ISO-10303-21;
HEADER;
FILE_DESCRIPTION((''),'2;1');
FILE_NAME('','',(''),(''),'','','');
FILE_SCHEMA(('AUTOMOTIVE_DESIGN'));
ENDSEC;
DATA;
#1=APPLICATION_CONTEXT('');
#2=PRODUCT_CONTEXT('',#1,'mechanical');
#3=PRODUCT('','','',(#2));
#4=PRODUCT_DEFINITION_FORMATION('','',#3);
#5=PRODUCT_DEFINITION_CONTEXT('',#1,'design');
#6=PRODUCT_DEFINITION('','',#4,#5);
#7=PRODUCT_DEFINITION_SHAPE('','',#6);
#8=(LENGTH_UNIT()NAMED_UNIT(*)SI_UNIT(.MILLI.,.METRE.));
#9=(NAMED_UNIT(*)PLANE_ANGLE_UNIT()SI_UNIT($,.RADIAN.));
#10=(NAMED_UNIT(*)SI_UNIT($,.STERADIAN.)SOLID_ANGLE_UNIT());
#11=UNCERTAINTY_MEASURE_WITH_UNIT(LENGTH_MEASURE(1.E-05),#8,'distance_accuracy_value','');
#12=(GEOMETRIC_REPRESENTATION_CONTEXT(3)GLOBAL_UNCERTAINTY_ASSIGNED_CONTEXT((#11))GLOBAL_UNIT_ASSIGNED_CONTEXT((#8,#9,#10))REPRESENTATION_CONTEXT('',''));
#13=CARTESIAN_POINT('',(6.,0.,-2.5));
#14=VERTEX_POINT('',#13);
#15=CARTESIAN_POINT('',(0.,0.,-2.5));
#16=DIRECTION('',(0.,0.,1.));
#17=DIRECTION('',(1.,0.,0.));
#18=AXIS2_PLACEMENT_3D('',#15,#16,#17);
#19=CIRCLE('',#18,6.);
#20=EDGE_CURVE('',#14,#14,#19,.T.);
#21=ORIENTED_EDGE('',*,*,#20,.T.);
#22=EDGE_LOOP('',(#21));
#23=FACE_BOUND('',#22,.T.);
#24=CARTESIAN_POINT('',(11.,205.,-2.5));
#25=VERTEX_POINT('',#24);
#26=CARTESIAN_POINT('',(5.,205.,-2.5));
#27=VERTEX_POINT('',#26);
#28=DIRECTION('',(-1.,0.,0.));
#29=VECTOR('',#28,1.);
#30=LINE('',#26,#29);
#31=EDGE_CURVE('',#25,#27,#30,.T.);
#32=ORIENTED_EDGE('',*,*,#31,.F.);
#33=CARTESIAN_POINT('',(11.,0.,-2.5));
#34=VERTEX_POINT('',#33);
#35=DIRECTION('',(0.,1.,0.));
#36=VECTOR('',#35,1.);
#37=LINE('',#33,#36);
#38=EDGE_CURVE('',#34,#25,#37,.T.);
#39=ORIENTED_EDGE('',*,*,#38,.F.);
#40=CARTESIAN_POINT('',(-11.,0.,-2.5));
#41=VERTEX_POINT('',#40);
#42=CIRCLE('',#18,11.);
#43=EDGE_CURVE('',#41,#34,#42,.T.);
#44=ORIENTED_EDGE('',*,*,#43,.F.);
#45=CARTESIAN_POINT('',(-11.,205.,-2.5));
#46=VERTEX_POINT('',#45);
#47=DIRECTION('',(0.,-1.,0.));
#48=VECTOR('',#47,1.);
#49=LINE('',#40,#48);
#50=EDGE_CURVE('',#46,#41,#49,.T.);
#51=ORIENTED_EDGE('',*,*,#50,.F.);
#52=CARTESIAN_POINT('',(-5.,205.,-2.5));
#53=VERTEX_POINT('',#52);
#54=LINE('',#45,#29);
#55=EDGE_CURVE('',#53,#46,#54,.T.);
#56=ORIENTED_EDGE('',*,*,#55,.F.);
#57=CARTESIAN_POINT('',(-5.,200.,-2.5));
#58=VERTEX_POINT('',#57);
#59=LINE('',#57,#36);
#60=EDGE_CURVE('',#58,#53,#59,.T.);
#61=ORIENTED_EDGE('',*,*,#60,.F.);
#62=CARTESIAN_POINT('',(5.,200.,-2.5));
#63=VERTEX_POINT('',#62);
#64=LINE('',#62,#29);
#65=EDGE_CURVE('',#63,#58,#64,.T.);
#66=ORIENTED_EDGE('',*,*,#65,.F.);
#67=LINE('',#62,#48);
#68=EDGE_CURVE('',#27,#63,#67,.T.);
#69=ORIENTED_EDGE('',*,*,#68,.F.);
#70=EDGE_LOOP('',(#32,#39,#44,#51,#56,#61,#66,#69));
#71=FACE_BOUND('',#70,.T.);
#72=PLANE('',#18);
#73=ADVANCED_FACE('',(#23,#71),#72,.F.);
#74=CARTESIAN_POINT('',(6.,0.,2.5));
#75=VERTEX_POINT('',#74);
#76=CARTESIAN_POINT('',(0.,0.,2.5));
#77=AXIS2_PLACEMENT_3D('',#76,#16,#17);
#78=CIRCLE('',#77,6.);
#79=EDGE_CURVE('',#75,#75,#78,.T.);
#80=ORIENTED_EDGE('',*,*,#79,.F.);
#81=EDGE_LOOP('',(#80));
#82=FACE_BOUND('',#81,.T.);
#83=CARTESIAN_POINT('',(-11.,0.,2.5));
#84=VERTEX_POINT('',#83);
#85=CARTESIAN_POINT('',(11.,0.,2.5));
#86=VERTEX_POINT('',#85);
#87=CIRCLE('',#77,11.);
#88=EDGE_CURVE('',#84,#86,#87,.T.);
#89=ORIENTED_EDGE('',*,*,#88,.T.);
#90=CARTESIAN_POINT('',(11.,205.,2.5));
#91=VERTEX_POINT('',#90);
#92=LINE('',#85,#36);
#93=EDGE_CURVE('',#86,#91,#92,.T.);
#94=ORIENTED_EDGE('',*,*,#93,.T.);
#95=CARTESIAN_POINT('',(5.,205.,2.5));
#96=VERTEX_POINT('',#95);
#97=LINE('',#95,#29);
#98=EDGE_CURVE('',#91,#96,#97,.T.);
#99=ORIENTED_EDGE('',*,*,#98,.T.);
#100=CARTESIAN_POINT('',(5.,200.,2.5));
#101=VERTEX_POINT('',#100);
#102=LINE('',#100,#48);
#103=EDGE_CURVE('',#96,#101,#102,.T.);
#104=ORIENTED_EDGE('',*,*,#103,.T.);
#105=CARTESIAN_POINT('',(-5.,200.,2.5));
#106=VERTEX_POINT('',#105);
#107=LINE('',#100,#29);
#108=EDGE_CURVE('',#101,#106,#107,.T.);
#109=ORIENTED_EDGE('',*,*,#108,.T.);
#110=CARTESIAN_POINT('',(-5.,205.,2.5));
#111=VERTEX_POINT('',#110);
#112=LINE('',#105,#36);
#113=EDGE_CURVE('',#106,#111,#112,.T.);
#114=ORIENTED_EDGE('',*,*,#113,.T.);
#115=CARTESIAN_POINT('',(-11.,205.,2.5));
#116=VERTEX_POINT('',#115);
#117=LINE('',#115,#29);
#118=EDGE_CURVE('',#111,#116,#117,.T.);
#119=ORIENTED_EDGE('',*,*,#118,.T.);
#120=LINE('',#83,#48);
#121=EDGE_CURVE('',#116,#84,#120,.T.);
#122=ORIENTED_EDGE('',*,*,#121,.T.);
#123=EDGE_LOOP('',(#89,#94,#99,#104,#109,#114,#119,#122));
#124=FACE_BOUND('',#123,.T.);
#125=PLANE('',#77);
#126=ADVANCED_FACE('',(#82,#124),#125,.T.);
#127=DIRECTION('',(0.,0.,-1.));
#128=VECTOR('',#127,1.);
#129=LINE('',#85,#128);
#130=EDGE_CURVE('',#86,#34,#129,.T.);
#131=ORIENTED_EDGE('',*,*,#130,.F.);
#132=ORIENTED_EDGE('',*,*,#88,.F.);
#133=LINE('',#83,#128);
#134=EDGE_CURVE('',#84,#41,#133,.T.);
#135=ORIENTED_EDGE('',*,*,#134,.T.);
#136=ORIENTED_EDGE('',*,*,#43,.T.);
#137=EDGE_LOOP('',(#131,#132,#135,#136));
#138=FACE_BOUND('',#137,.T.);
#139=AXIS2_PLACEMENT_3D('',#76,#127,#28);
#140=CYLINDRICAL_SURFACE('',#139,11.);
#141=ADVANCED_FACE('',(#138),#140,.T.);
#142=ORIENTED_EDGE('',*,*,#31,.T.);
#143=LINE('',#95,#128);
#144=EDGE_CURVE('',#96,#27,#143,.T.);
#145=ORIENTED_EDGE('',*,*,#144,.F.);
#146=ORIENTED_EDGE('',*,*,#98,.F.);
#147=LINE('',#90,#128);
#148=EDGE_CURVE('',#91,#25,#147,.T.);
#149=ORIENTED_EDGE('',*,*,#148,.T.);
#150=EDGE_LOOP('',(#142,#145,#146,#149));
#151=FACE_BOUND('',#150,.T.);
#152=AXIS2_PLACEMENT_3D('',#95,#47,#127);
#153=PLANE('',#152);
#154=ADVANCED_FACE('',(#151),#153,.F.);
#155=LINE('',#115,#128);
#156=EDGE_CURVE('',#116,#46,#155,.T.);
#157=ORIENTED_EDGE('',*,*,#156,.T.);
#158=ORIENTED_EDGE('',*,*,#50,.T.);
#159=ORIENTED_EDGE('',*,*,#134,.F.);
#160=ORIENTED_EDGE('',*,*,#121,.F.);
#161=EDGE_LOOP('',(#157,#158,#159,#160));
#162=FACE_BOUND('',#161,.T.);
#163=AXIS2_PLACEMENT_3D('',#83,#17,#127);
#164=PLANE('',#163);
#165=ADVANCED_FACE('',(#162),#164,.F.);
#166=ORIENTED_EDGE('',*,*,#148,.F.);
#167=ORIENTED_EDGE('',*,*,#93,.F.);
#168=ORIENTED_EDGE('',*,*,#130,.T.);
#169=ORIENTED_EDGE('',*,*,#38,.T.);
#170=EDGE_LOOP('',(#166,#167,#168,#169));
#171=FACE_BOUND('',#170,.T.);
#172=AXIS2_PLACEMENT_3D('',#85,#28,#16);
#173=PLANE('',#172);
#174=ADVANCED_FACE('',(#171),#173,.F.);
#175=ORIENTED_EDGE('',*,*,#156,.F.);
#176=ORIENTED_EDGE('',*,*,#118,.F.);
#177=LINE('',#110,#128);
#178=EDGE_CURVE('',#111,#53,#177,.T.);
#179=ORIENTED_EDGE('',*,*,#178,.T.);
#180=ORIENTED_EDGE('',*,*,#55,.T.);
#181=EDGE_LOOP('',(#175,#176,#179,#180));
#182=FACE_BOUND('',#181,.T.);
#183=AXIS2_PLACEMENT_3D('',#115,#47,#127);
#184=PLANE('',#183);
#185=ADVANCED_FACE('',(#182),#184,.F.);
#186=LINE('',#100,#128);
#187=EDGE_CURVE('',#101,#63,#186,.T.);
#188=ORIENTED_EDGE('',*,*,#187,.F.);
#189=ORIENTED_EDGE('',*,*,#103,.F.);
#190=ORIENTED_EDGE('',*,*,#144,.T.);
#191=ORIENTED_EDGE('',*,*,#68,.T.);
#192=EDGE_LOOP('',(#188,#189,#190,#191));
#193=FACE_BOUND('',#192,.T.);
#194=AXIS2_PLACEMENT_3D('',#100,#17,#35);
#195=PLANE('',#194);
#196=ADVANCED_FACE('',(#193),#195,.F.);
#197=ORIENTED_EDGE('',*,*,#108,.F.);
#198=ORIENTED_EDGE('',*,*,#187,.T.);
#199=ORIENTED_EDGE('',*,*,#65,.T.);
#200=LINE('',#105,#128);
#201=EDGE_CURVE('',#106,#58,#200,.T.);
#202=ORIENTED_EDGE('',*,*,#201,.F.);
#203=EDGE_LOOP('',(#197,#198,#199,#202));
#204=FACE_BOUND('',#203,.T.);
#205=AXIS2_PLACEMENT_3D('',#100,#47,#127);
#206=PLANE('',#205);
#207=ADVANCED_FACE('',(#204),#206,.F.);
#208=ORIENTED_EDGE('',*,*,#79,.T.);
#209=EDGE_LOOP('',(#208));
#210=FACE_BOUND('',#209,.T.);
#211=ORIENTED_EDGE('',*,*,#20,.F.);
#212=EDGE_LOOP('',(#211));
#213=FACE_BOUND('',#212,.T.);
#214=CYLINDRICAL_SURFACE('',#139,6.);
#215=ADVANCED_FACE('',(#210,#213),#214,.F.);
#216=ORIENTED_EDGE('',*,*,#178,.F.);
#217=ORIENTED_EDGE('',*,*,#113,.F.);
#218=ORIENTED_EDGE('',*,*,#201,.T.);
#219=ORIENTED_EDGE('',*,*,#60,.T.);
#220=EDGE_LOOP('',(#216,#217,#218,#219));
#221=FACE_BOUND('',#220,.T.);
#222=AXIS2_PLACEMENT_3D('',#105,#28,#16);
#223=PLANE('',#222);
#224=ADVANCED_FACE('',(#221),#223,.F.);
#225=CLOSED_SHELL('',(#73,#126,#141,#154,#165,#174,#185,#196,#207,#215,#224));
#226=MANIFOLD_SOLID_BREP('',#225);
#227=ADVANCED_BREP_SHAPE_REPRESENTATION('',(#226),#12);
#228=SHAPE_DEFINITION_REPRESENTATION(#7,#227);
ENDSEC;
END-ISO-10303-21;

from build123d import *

# Parameters (mm, degrees)
SKETCH1_R           = 6
BOSS_EXTRUDE1_DEPTH = 2.5


with BuildPart() as part:
    # Sketch1 → Boss-Extrude1 (new, symmetric)
    with BuildSketch(Plane(origin=(0, 0, 0), x_dir=(0, 1, 0), z_dir=(0, 0, 1))):
        with BuildLine():
            Line((0, 11), (205, 11))
            Line((205, 11), (205, 5))
            Line((205, 5), (200, 5))
            Line((200, 5), (200, -5))
            Line((200, -5), (205, -5))
            Line((205, -5), (205, -11))
            Line((205, -11), (0, -11))
            ThreePointArc((0, -11), (-11, 0), (0, 11))
        make_face()
        with Locations(Location((0, 0, 0), (0, 0, 270))):
            Circle(SKETCH1_R, mode=Mode.SUBTRACT)
    extrude(amount=BOSS_EXTRUDE1_DEPTH, both=True)


solid = part.part
